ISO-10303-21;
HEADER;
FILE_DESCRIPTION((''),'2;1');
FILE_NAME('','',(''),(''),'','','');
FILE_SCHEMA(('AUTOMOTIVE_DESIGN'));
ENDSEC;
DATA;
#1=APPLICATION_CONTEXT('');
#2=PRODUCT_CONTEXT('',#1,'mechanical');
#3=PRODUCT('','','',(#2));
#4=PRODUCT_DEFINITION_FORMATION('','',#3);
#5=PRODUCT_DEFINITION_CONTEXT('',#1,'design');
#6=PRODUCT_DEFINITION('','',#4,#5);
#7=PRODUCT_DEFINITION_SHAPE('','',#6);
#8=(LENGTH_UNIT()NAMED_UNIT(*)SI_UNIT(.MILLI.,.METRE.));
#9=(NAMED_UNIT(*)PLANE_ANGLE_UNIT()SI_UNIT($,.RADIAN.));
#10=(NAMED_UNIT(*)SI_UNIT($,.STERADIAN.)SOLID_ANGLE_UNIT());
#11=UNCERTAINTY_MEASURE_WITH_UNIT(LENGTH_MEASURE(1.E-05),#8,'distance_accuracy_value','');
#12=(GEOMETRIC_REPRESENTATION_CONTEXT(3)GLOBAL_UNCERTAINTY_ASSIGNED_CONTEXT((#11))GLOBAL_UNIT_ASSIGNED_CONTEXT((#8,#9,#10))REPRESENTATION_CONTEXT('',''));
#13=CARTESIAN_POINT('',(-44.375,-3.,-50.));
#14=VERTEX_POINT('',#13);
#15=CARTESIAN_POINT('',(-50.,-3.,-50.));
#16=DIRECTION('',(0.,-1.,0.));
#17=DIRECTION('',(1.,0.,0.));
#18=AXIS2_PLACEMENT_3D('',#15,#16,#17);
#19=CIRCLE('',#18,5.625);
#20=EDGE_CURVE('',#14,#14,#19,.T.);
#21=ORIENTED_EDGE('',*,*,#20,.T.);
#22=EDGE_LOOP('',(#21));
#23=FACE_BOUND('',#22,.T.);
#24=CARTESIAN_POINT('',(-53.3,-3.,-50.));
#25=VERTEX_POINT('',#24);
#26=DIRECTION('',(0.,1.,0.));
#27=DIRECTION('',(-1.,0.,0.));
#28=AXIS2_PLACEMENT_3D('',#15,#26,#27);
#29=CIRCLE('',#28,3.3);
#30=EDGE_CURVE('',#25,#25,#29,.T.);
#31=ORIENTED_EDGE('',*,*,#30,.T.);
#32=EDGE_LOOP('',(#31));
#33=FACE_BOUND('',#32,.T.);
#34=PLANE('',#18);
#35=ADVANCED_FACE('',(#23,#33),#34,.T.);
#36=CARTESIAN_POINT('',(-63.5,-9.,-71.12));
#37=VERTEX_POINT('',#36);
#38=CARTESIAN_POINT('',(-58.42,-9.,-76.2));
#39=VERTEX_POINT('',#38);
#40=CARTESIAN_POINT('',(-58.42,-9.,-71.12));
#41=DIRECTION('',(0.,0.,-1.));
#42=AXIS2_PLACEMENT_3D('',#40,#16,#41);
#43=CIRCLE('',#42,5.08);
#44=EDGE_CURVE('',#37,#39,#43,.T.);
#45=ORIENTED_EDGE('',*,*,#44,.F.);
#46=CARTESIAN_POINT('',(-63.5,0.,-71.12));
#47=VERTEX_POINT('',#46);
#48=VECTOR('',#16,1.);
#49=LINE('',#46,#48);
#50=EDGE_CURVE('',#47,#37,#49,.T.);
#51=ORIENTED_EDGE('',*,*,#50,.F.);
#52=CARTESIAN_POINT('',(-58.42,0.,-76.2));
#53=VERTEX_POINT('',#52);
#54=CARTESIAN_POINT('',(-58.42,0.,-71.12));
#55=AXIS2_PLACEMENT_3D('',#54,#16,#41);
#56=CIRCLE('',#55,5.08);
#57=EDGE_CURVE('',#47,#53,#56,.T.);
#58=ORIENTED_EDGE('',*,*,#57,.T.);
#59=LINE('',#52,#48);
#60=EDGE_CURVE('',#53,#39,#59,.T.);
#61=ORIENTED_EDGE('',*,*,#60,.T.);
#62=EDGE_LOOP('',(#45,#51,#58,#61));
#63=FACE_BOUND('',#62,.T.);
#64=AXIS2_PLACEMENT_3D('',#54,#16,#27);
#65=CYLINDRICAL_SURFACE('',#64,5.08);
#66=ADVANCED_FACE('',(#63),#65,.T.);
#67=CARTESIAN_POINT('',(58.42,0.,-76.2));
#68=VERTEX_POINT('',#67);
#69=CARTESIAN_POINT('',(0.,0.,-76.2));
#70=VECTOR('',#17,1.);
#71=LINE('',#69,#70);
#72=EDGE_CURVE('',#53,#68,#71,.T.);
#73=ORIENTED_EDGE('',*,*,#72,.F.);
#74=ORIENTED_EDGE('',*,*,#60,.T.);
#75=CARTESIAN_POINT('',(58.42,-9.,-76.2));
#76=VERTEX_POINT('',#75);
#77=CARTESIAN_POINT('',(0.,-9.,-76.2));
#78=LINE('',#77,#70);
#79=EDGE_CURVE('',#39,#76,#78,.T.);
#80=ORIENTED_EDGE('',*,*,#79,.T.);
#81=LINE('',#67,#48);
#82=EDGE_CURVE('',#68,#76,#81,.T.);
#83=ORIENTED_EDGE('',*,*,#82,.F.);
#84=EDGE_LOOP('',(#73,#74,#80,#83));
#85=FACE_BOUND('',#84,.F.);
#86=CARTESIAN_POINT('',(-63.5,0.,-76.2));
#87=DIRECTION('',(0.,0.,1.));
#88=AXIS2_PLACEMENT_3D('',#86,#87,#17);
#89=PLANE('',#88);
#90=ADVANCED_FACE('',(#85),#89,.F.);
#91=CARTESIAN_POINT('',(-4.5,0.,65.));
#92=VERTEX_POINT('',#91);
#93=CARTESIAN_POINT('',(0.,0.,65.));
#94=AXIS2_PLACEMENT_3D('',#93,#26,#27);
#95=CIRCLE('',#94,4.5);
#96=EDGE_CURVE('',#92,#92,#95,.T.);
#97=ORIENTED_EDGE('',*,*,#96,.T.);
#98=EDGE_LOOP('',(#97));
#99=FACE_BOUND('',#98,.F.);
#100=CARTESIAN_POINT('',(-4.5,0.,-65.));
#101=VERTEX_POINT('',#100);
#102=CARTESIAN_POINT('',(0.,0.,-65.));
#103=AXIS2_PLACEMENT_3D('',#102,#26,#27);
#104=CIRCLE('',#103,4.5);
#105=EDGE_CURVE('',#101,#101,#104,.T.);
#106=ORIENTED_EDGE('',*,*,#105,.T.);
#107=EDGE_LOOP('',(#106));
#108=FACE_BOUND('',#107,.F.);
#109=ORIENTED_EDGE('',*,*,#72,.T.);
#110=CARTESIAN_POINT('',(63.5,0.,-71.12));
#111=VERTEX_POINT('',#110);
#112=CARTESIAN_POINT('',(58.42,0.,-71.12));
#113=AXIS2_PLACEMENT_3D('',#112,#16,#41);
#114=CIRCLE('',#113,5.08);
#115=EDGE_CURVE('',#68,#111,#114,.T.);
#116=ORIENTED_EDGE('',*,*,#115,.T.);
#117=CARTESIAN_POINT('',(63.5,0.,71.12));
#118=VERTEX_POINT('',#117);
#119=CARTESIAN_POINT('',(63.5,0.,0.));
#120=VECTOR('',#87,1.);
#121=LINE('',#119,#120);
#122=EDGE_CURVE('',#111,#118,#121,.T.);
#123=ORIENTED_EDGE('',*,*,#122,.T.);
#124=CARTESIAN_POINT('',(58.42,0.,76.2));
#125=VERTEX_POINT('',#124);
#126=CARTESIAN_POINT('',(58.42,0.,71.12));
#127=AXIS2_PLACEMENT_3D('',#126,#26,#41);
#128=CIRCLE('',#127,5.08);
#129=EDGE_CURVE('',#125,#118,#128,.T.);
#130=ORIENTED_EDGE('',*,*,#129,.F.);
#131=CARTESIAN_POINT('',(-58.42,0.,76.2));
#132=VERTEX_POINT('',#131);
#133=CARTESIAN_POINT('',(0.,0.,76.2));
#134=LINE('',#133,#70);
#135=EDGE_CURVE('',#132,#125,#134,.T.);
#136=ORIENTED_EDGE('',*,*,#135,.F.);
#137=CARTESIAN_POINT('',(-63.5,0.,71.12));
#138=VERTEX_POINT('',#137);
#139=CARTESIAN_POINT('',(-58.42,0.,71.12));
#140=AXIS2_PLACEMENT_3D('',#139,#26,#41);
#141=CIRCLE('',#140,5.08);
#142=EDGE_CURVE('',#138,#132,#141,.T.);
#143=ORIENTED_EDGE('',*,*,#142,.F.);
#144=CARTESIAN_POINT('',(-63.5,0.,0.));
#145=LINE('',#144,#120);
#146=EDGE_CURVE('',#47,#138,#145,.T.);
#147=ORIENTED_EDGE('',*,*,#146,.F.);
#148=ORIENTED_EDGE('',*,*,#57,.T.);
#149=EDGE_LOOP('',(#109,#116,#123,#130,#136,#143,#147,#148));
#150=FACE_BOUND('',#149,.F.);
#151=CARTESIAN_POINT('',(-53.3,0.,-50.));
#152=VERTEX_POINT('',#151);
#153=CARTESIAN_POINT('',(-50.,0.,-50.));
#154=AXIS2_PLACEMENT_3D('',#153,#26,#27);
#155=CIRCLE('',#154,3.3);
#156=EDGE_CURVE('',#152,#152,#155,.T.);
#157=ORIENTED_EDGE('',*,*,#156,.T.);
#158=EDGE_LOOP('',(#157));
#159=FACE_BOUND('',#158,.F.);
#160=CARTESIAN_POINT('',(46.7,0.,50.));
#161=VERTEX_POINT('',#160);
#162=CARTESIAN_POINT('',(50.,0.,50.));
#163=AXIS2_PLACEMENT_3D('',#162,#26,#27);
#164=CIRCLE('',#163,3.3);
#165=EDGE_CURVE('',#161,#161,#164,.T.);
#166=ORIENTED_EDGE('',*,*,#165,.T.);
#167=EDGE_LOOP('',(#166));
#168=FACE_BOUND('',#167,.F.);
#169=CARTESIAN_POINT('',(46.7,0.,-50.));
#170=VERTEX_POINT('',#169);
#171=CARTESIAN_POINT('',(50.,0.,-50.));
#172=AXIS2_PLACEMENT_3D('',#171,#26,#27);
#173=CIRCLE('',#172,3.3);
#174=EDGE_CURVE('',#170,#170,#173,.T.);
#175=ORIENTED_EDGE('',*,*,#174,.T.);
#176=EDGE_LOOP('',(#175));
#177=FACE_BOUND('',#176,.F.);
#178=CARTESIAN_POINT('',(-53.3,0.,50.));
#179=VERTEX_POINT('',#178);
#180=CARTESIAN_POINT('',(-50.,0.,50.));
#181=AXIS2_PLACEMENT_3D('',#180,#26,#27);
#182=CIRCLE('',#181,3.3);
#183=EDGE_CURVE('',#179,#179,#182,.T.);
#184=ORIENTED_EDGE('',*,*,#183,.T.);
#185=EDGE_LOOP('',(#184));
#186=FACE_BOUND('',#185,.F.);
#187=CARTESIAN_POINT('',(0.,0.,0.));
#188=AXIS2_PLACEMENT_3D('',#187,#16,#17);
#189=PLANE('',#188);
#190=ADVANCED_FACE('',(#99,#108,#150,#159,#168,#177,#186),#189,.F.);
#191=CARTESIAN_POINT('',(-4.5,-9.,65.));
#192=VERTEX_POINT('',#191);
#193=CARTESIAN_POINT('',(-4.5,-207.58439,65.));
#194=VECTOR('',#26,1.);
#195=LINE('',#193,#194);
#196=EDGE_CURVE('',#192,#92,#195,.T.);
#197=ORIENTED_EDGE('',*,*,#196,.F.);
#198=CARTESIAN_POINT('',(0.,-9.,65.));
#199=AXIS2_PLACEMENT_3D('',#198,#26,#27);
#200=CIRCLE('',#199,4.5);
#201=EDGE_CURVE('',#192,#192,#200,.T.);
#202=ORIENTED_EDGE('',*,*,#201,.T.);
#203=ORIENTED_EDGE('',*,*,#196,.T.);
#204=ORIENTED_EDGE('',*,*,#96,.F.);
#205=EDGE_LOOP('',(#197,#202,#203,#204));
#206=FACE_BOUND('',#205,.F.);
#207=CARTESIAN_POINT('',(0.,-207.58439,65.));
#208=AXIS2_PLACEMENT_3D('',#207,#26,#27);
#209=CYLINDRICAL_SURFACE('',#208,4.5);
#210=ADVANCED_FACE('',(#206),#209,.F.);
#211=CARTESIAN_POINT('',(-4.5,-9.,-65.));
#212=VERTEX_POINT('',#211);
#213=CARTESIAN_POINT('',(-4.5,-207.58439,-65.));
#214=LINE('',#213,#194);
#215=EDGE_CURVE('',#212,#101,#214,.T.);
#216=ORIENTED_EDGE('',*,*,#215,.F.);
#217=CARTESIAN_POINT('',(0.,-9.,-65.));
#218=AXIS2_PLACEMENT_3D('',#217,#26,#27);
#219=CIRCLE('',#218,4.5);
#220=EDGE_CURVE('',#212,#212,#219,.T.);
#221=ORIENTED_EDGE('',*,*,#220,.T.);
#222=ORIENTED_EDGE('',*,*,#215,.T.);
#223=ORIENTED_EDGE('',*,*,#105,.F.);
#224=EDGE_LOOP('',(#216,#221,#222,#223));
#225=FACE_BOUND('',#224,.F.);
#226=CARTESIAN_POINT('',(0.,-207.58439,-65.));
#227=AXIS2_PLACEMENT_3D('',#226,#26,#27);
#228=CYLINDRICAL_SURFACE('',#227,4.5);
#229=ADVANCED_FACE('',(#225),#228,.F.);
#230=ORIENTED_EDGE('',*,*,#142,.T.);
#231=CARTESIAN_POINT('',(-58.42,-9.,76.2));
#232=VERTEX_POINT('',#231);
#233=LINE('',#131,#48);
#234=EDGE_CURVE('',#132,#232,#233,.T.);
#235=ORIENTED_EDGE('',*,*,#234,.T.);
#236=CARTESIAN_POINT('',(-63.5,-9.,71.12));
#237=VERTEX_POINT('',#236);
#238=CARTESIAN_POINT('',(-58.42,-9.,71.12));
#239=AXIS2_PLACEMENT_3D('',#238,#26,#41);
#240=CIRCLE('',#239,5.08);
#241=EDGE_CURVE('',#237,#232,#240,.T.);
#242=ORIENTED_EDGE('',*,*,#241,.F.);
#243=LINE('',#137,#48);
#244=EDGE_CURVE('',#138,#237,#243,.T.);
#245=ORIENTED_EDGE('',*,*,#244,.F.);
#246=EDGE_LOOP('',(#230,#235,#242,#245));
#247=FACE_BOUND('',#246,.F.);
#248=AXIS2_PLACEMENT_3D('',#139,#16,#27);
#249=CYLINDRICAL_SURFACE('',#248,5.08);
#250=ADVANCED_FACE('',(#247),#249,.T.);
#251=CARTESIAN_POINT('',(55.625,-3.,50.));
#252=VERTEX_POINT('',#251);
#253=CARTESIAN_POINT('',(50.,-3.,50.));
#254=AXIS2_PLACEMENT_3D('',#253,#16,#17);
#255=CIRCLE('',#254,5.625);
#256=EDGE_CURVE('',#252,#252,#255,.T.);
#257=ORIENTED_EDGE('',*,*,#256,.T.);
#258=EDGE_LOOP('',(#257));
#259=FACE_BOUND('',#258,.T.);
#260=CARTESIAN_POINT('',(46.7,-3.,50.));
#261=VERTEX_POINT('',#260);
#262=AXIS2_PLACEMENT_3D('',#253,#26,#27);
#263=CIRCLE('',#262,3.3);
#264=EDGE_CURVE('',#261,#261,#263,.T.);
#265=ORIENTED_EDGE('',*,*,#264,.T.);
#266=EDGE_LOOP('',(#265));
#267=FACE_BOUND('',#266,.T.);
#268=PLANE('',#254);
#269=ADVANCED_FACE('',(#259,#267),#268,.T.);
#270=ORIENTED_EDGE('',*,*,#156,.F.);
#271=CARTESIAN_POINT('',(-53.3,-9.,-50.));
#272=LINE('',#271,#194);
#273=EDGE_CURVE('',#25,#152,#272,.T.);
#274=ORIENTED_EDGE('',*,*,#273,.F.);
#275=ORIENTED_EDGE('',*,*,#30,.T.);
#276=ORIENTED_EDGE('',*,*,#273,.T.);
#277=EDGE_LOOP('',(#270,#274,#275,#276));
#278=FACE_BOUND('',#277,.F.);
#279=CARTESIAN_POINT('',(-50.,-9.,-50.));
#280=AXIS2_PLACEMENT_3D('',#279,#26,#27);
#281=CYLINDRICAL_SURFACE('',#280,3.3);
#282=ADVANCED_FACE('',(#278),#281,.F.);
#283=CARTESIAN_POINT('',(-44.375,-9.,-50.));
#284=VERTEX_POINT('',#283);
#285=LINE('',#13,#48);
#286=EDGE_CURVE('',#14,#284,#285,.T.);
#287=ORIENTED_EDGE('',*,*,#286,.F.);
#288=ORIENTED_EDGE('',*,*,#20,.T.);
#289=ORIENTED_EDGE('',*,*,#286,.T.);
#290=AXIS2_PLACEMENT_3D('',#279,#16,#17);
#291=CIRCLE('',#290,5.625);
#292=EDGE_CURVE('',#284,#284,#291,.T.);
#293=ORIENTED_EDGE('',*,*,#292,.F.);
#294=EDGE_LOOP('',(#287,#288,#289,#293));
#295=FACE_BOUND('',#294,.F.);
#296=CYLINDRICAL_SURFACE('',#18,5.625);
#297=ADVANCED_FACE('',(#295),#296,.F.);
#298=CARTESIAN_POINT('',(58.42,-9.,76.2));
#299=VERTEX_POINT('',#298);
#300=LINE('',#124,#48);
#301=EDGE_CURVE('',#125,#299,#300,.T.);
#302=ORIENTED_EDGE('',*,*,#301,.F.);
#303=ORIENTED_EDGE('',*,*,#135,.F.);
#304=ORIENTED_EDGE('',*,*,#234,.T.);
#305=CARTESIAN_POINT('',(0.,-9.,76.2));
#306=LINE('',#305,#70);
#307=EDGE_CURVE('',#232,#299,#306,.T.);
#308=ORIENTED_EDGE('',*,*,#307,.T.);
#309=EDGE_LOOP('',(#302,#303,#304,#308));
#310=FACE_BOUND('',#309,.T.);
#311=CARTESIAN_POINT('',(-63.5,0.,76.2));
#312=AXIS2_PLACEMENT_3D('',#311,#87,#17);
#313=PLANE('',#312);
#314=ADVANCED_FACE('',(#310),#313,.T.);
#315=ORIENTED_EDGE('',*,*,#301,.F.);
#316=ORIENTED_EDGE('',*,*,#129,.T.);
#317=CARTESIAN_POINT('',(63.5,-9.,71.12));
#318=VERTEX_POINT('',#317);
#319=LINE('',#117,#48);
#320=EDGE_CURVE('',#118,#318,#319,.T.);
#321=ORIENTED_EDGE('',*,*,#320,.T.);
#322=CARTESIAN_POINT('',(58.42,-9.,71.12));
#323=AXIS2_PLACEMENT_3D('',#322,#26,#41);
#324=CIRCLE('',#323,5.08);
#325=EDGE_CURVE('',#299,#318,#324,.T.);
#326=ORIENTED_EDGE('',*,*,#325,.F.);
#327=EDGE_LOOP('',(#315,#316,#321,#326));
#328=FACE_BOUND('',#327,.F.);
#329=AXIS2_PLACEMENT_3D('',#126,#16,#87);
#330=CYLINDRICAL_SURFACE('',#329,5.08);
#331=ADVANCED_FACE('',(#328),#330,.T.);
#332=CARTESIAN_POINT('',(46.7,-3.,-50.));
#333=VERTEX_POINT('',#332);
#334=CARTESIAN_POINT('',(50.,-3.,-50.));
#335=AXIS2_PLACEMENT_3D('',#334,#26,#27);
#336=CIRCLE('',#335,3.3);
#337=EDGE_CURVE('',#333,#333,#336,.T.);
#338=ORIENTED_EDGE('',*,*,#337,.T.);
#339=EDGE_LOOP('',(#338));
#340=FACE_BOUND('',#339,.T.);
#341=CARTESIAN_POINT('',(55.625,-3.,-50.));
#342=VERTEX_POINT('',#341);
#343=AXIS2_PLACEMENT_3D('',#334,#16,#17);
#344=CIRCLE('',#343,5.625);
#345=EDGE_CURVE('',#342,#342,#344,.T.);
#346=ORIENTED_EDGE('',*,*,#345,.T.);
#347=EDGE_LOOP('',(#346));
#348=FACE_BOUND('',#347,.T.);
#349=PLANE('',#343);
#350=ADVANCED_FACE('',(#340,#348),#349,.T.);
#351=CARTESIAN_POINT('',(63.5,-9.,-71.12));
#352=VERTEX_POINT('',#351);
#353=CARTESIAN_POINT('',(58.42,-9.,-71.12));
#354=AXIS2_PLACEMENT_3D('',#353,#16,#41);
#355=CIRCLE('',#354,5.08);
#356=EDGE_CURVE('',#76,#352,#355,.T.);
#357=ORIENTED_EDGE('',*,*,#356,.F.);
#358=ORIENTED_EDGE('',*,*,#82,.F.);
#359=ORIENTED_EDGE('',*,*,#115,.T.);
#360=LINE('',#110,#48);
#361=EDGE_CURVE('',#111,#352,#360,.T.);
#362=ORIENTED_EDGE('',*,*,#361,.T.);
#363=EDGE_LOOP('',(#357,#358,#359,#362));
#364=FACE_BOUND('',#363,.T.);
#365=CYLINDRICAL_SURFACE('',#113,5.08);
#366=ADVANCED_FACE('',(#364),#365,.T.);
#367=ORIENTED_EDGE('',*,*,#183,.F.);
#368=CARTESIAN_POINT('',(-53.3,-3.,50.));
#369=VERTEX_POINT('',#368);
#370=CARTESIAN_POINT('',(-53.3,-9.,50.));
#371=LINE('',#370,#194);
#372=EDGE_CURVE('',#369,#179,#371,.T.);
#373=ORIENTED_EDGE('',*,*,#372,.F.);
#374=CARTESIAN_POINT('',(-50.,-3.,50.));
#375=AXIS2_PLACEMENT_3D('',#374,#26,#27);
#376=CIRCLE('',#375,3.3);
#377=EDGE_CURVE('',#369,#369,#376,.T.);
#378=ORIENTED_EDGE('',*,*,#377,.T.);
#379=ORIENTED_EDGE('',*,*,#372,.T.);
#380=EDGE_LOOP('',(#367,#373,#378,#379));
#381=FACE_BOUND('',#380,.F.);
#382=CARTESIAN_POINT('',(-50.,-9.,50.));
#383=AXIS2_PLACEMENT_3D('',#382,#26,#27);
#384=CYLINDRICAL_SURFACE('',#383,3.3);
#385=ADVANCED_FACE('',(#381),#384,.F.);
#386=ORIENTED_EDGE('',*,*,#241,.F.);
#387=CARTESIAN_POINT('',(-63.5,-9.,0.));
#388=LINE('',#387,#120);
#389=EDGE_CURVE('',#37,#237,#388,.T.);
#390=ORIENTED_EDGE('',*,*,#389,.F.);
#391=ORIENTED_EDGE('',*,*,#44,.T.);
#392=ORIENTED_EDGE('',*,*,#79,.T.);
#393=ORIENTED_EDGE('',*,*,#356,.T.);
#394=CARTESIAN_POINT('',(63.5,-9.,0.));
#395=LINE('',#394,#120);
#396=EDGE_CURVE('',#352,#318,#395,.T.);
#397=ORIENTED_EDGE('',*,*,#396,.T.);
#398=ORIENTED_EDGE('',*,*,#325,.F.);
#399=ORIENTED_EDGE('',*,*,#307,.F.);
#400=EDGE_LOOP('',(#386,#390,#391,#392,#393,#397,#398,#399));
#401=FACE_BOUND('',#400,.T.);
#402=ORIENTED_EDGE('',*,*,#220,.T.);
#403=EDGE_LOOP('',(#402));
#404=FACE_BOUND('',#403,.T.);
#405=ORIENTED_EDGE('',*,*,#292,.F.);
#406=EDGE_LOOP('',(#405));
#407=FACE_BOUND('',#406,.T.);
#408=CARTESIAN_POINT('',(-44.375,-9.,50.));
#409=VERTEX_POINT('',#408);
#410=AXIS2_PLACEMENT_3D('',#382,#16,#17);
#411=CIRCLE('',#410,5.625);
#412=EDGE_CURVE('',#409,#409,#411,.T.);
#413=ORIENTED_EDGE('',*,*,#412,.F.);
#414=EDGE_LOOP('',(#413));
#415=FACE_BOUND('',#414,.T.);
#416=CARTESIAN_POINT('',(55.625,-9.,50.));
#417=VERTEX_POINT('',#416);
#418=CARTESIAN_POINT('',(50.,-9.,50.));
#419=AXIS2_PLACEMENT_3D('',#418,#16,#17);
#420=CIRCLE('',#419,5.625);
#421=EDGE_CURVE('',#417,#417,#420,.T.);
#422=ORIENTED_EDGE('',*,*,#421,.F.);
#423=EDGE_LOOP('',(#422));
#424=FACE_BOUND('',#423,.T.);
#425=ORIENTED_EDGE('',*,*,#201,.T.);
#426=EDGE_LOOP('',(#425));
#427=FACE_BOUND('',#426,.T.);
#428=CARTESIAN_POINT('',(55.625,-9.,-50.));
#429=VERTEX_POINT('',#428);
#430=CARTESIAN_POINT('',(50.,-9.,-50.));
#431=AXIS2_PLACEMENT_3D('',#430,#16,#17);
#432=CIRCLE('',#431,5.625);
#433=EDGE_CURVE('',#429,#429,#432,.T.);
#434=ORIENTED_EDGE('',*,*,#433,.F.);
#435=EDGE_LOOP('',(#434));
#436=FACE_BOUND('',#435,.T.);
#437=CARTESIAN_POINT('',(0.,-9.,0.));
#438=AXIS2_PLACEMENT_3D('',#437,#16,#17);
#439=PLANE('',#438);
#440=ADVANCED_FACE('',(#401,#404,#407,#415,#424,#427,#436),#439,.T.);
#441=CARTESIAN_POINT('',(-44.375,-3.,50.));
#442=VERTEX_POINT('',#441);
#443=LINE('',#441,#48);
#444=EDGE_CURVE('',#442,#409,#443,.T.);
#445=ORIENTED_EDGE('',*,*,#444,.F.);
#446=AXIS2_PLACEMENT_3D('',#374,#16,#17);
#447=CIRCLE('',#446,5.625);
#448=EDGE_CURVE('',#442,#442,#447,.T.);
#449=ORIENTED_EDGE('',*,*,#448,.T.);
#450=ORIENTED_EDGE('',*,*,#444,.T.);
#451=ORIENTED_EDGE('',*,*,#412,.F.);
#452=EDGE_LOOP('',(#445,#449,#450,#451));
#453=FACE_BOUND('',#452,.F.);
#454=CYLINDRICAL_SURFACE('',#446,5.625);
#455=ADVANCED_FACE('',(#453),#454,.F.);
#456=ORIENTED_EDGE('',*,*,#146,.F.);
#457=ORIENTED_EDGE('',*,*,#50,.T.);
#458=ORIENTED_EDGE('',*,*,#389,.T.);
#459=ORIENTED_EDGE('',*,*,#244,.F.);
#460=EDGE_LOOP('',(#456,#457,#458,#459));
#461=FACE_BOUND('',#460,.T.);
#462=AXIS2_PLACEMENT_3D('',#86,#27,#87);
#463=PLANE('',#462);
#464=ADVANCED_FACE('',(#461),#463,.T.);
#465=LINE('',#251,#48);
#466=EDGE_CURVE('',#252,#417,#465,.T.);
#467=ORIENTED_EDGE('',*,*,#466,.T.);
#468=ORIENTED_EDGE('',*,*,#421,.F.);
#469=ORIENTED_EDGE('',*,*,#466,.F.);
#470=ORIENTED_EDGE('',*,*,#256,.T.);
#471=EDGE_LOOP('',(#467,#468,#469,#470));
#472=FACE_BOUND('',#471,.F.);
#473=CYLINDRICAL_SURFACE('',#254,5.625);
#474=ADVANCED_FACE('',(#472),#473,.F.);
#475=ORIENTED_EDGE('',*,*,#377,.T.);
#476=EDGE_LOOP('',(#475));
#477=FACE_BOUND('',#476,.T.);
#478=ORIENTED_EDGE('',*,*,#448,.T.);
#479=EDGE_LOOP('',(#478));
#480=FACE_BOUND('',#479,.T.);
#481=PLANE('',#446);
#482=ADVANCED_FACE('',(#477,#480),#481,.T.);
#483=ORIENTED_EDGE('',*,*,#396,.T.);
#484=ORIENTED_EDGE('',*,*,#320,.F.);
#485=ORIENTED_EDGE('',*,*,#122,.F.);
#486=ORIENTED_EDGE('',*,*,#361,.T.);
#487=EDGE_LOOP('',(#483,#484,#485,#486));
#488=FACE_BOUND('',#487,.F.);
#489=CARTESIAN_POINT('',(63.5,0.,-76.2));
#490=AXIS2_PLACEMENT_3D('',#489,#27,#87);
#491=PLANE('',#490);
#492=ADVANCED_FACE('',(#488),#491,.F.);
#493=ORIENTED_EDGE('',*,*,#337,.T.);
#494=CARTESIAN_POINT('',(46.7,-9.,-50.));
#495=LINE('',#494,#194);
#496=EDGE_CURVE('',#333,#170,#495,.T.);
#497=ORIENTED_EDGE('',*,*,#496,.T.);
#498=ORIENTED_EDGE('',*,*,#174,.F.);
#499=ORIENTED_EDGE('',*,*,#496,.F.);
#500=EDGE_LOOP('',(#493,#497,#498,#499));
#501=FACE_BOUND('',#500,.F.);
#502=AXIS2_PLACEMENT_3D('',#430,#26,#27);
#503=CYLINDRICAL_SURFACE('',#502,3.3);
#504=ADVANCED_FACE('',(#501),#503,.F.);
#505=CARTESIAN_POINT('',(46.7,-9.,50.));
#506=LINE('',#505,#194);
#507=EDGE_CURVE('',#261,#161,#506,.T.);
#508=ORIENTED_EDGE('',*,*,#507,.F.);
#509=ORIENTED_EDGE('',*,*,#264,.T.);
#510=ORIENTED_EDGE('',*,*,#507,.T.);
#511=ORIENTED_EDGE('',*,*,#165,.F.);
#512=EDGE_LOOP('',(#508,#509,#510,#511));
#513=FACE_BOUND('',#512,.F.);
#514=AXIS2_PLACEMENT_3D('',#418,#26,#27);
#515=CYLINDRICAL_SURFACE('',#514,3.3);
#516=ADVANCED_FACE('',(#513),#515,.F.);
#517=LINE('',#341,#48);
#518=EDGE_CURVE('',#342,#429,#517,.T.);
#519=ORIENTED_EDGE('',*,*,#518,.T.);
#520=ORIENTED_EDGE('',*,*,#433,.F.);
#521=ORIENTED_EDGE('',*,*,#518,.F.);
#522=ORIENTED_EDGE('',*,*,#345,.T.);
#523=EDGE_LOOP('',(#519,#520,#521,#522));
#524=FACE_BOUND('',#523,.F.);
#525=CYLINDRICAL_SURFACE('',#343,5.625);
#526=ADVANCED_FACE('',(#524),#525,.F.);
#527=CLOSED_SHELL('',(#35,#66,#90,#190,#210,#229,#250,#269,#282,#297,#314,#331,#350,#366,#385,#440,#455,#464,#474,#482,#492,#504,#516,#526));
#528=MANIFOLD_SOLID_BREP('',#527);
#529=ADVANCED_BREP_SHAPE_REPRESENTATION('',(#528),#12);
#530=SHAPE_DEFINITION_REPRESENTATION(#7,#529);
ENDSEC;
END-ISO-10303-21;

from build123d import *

# Parameters (mm, degrees)
F0_W           = 127
F0_H           = 152.4
F1_DEPTH       = 9
F3_D           = 9
F5_D           = 6.6
F5_CBORE_D     = 11.25
F5_CBORE_DEPTH = 6
F6_R           = 5.08


with BuildPart() as f1:
    # F0 (on Front) → F1 (new body)
    with BuildSketch(Plane.XZ):
        Rectangle(F0_W, F0_H)
    extrude(amount=F1_DEPTH)

    # F3 (through all)
    with Locations(Plane.XZ.offset(9)):
        with Locations((0, 65), (0, -65)):
            Hole(F3_D / 2)

    # F5 (through all)
    with Locations(Plane.XZ.offset(9)):
        with Locations((-50, 50), (50, 50), (50, -50), (-50, -50)):
            CounterBoreHole(F5_D / 2, F5_CBORE_D / 2, F5_CBORE_DEPTH)

    # F6
    f6_edges = [f1.edges().sort_by_distance(p)[0] for p in [
        (63.5, -4.5, 76.2),
        (63.5, -4.5, -76.2),
        (-63.5, -4.5, -76.2),
        (-63.5, -4.5, 76.2),
    ]]
    fillet(f6_edges, radius=F6_R)


solid = f1.part
